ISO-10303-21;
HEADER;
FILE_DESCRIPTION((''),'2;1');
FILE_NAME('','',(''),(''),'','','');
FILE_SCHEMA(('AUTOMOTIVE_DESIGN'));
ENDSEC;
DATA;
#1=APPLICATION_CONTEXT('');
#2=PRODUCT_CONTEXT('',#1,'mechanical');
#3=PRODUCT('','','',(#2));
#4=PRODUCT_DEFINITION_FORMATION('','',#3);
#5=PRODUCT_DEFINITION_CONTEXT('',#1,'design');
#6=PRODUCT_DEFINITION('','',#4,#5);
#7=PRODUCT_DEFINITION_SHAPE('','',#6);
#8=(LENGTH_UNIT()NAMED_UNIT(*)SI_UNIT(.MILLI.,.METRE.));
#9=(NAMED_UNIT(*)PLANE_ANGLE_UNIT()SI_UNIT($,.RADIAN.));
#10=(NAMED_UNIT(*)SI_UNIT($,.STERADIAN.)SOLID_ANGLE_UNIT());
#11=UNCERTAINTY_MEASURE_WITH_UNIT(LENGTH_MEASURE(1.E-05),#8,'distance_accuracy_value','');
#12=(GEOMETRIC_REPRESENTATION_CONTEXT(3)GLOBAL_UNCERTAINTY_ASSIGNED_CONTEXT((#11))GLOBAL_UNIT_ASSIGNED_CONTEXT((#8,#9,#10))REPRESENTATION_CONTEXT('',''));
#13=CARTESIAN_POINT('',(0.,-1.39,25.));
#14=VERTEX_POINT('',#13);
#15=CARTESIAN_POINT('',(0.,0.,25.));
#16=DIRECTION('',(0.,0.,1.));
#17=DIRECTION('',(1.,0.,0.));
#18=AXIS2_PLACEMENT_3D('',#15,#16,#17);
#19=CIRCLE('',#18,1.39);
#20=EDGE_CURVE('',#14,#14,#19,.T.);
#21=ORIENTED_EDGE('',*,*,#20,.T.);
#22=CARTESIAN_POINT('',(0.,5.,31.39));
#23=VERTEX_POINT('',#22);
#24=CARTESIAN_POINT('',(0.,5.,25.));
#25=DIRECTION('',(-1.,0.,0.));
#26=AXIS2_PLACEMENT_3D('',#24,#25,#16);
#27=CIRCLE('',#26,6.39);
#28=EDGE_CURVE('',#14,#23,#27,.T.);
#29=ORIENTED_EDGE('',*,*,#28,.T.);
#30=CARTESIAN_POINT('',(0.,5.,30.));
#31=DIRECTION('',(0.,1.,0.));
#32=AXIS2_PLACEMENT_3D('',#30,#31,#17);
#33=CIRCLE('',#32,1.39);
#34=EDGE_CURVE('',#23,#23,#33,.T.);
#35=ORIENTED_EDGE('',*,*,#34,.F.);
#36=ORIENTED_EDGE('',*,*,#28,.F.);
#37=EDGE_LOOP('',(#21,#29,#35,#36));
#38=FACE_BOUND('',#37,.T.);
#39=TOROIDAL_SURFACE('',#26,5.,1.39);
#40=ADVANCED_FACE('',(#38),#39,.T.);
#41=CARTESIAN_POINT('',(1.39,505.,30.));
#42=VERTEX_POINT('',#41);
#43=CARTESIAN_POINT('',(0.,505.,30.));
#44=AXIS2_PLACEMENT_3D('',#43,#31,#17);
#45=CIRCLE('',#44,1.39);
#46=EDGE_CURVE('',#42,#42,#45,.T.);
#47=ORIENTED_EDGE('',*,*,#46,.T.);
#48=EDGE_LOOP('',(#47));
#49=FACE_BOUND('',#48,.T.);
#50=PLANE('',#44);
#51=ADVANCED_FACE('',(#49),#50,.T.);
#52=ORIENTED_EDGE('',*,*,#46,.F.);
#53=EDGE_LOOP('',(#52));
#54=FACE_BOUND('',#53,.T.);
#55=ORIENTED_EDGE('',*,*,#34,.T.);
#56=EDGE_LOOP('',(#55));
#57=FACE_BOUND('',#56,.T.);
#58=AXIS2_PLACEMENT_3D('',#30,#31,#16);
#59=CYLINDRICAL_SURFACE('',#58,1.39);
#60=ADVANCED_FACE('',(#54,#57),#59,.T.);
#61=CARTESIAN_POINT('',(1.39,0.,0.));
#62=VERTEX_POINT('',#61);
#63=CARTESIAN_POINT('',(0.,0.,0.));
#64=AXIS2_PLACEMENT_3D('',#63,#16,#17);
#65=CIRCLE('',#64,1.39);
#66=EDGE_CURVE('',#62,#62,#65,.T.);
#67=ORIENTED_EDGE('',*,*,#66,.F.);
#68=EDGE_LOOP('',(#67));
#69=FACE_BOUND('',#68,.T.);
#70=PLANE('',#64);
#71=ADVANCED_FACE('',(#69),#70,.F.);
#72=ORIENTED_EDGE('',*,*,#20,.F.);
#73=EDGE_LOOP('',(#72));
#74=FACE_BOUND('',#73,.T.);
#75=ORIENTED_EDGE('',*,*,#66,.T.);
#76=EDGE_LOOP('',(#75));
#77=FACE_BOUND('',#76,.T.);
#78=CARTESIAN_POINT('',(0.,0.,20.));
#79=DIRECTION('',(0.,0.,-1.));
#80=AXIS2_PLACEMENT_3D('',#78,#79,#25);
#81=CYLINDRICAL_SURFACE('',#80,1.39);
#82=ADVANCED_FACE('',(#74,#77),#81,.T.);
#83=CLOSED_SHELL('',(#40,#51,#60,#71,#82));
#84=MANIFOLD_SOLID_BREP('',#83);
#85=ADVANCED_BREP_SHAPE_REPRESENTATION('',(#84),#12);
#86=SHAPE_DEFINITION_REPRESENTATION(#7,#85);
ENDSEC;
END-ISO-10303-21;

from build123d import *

# Parameters (mm, degrees)
SKETCH_1_R      = 1.39
EXTRUDE_1_DEPTH = 20
SKETCH_2_R      = 1.39


with BuildPart() as part:
    # ｽｹｯﾁ1 → ﾎﾞｽ - 押し出し1 (new body)
    with BuildSketch(Plane.XY):
        Circle(SKETCH_1_R)
    extrude(amount=EXTRUDE_1_DEPTH)

    # ｽｲｰﾌﾟ1: sweep along a path in ｽｹｯﾁ3
    with BuildLine(Plane(origin=(0, 0, 0), x_dir=(0, 0, -1), z_dir=(1, 0, 0))) as sweep_1_path:
        Line((-20, 0), (-25, 0))
        ThreePointArc((-25, 0), (-28.535533906, 1.464466094), (-30, 5))
        Line((-30, 5), (-30, 505))
    # ｽｹｯﾁ2 → ｽｲｰﾌﾟ1 (sweep)
    with BuildSketch(Plane.XY.offset(20)):
        Circle(SKETCH_2_R)
    sweep(path=sweep_1_path.line)


solid = part.part
